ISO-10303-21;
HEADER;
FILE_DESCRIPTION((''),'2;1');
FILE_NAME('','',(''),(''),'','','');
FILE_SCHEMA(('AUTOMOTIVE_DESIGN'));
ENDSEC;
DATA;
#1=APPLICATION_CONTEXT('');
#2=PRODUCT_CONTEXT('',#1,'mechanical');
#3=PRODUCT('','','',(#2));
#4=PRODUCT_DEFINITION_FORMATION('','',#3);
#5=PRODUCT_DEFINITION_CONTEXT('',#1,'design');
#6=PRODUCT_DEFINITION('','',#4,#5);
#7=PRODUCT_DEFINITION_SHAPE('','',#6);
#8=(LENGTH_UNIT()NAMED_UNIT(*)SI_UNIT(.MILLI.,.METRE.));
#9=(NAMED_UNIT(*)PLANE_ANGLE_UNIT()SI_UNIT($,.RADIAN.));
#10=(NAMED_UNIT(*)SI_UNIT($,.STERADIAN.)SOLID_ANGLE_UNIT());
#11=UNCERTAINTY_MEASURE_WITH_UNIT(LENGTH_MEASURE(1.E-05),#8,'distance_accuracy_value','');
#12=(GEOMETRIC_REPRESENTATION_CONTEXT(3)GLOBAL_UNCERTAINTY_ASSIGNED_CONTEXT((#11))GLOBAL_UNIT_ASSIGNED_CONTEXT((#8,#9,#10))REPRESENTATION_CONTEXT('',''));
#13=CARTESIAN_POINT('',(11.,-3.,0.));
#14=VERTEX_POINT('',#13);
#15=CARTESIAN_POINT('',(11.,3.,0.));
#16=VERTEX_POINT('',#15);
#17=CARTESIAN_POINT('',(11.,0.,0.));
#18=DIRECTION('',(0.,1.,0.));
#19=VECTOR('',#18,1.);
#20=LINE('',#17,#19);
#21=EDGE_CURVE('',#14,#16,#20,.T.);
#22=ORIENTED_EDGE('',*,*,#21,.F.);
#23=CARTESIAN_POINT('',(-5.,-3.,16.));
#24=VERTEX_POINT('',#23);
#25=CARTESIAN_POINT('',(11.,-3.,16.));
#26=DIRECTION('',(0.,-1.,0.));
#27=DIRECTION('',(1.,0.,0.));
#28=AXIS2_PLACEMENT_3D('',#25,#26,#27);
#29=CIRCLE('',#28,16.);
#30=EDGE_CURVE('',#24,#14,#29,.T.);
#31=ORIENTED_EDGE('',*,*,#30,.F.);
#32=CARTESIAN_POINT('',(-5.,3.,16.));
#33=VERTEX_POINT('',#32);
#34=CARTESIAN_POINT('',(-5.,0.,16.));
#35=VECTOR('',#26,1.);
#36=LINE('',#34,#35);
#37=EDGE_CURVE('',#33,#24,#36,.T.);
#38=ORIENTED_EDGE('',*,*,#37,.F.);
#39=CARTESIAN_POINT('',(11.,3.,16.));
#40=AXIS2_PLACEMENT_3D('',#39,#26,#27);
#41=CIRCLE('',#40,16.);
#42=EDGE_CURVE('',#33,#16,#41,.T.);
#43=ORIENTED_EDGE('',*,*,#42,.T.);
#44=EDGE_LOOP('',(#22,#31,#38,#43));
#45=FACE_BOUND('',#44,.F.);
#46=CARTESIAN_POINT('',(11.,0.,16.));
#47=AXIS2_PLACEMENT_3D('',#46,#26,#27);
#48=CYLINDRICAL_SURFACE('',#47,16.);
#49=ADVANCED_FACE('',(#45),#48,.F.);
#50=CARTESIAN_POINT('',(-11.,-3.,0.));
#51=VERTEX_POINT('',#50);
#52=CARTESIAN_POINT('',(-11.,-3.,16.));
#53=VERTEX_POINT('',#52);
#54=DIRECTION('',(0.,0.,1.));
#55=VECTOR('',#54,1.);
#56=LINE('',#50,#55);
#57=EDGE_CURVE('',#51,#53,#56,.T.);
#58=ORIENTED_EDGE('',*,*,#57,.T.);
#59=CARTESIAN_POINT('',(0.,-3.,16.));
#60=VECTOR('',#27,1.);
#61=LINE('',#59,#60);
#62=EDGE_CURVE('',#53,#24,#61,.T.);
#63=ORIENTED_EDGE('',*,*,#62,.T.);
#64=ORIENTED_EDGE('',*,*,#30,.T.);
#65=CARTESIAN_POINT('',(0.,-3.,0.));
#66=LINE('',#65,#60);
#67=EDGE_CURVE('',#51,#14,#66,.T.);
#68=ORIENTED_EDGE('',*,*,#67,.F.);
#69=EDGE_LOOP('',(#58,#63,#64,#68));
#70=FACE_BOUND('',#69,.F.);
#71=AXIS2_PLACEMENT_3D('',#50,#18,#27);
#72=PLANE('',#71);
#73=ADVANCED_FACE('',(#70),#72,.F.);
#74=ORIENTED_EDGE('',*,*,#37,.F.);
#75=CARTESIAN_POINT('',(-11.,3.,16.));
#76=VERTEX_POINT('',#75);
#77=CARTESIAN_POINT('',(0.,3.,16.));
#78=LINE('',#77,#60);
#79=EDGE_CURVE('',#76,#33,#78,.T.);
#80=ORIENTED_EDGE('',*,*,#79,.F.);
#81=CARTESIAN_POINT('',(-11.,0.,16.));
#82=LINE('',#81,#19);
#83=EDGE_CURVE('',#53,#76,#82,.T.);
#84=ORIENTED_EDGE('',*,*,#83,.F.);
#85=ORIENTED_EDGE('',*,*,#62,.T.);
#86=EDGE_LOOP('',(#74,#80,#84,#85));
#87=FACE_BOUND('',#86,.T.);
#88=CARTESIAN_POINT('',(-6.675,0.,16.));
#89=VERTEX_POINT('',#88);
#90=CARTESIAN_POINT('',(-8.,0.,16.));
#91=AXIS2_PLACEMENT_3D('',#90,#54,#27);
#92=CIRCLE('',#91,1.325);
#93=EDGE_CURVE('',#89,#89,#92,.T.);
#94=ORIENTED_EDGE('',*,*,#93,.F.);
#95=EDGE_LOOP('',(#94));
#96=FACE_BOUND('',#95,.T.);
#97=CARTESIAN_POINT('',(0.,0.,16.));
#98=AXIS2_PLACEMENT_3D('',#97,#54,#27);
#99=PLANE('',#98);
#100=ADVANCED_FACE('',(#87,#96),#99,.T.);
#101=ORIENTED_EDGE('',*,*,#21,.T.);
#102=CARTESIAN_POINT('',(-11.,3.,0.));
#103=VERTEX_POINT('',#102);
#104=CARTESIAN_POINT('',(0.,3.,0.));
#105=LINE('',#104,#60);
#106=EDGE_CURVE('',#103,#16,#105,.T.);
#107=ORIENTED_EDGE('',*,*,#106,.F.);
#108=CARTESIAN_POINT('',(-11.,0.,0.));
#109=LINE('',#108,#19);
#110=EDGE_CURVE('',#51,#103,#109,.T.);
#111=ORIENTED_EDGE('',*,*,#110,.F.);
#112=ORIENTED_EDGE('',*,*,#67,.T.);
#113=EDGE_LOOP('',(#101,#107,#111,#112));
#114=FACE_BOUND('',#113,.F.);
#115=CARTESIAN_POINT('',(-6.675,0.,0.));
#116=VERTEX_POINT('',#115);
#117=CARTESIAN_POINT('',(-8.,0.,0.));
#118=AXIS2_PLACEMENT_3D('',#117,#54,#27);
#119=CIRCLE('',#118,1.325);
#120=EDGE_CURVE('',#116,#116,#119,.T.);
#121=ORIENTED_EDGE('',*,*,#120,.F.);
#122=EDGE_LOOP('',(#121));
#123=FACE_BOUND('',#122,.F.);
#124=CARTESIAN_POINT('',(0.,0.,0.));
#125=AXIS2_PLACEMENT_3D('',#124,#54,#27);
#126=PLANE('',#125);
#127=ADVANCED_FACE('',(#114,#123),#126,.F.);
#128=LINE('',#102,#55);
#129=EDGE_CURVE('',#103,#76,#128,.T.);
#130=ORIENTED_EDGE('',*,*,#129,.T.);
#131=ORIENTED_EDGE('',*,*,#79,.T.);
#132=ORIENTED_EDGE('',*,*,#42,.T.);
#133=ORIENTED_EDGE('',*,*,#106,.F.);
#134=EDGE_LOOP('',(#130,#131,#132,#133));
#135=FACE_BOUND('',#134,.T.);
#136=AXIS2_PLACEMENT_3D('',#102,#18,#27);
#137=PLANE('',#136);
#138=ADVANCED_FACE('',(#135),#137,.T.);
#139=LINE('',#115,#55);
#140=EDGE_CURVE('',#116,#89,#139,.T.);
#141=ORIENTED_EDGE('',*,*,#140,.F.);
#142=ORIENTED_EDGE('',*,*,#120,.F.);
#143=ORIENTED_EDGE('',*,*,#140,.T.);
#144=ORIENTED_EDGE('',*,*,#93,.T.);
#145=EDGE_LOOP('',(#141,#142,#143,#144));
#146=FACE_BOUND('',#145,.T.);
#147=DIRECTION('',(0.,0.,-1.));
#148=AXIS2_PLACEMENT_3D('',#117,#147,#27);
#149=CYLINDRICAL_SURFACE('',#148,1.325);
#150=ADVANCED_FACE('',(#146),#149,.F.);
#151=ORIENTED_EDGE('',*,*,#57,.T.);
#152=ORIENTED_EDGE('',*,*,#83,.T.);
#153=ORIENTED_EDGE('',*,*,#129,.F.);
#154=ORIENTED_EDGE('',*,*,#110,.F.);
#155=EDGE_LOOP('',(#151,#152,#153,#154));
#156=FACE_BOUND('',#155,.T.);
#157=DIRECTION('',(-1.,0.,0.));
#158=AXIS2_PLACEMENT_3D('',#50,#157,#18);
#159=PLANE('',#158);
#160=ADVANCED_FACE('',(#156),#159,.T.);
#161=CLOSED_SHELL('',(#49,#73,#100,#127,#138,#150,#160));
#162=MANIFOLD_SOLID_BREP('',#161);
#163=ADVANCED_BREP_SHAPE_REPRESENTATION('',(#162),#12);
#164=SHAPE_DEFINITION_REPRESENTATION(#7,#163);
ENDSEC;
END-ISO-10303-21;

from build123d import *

# Parameters (mm, degrees)
F0_W     = 22
F0_H     = 6
F0_R     = 1.325
F1_DEPTH = 16
F2_R     = 16
F3_DEPTH = 5


with BuildPart() as f1:
    # F0 (on Top) → F1 (new body)
    with BuildSketch(Plane.XY):
        Rectangle(F0_W, F0_H)
        with Locations((-8, 0)):
            Circle(F0_R, mode=Mode.SUBTRACT)
    extrude(amount=F1_DEPTH)

    # F2 (on Front) → F3 (cut, symmetric)
    with BuildSketch(Plane.XZ):
        with Locations((11, 16)):
            Circle(F2_R)
    extrude(amount=F3_DEPTH, both=True, mode=Mode.SUBTRACT)


solid = f1.part
